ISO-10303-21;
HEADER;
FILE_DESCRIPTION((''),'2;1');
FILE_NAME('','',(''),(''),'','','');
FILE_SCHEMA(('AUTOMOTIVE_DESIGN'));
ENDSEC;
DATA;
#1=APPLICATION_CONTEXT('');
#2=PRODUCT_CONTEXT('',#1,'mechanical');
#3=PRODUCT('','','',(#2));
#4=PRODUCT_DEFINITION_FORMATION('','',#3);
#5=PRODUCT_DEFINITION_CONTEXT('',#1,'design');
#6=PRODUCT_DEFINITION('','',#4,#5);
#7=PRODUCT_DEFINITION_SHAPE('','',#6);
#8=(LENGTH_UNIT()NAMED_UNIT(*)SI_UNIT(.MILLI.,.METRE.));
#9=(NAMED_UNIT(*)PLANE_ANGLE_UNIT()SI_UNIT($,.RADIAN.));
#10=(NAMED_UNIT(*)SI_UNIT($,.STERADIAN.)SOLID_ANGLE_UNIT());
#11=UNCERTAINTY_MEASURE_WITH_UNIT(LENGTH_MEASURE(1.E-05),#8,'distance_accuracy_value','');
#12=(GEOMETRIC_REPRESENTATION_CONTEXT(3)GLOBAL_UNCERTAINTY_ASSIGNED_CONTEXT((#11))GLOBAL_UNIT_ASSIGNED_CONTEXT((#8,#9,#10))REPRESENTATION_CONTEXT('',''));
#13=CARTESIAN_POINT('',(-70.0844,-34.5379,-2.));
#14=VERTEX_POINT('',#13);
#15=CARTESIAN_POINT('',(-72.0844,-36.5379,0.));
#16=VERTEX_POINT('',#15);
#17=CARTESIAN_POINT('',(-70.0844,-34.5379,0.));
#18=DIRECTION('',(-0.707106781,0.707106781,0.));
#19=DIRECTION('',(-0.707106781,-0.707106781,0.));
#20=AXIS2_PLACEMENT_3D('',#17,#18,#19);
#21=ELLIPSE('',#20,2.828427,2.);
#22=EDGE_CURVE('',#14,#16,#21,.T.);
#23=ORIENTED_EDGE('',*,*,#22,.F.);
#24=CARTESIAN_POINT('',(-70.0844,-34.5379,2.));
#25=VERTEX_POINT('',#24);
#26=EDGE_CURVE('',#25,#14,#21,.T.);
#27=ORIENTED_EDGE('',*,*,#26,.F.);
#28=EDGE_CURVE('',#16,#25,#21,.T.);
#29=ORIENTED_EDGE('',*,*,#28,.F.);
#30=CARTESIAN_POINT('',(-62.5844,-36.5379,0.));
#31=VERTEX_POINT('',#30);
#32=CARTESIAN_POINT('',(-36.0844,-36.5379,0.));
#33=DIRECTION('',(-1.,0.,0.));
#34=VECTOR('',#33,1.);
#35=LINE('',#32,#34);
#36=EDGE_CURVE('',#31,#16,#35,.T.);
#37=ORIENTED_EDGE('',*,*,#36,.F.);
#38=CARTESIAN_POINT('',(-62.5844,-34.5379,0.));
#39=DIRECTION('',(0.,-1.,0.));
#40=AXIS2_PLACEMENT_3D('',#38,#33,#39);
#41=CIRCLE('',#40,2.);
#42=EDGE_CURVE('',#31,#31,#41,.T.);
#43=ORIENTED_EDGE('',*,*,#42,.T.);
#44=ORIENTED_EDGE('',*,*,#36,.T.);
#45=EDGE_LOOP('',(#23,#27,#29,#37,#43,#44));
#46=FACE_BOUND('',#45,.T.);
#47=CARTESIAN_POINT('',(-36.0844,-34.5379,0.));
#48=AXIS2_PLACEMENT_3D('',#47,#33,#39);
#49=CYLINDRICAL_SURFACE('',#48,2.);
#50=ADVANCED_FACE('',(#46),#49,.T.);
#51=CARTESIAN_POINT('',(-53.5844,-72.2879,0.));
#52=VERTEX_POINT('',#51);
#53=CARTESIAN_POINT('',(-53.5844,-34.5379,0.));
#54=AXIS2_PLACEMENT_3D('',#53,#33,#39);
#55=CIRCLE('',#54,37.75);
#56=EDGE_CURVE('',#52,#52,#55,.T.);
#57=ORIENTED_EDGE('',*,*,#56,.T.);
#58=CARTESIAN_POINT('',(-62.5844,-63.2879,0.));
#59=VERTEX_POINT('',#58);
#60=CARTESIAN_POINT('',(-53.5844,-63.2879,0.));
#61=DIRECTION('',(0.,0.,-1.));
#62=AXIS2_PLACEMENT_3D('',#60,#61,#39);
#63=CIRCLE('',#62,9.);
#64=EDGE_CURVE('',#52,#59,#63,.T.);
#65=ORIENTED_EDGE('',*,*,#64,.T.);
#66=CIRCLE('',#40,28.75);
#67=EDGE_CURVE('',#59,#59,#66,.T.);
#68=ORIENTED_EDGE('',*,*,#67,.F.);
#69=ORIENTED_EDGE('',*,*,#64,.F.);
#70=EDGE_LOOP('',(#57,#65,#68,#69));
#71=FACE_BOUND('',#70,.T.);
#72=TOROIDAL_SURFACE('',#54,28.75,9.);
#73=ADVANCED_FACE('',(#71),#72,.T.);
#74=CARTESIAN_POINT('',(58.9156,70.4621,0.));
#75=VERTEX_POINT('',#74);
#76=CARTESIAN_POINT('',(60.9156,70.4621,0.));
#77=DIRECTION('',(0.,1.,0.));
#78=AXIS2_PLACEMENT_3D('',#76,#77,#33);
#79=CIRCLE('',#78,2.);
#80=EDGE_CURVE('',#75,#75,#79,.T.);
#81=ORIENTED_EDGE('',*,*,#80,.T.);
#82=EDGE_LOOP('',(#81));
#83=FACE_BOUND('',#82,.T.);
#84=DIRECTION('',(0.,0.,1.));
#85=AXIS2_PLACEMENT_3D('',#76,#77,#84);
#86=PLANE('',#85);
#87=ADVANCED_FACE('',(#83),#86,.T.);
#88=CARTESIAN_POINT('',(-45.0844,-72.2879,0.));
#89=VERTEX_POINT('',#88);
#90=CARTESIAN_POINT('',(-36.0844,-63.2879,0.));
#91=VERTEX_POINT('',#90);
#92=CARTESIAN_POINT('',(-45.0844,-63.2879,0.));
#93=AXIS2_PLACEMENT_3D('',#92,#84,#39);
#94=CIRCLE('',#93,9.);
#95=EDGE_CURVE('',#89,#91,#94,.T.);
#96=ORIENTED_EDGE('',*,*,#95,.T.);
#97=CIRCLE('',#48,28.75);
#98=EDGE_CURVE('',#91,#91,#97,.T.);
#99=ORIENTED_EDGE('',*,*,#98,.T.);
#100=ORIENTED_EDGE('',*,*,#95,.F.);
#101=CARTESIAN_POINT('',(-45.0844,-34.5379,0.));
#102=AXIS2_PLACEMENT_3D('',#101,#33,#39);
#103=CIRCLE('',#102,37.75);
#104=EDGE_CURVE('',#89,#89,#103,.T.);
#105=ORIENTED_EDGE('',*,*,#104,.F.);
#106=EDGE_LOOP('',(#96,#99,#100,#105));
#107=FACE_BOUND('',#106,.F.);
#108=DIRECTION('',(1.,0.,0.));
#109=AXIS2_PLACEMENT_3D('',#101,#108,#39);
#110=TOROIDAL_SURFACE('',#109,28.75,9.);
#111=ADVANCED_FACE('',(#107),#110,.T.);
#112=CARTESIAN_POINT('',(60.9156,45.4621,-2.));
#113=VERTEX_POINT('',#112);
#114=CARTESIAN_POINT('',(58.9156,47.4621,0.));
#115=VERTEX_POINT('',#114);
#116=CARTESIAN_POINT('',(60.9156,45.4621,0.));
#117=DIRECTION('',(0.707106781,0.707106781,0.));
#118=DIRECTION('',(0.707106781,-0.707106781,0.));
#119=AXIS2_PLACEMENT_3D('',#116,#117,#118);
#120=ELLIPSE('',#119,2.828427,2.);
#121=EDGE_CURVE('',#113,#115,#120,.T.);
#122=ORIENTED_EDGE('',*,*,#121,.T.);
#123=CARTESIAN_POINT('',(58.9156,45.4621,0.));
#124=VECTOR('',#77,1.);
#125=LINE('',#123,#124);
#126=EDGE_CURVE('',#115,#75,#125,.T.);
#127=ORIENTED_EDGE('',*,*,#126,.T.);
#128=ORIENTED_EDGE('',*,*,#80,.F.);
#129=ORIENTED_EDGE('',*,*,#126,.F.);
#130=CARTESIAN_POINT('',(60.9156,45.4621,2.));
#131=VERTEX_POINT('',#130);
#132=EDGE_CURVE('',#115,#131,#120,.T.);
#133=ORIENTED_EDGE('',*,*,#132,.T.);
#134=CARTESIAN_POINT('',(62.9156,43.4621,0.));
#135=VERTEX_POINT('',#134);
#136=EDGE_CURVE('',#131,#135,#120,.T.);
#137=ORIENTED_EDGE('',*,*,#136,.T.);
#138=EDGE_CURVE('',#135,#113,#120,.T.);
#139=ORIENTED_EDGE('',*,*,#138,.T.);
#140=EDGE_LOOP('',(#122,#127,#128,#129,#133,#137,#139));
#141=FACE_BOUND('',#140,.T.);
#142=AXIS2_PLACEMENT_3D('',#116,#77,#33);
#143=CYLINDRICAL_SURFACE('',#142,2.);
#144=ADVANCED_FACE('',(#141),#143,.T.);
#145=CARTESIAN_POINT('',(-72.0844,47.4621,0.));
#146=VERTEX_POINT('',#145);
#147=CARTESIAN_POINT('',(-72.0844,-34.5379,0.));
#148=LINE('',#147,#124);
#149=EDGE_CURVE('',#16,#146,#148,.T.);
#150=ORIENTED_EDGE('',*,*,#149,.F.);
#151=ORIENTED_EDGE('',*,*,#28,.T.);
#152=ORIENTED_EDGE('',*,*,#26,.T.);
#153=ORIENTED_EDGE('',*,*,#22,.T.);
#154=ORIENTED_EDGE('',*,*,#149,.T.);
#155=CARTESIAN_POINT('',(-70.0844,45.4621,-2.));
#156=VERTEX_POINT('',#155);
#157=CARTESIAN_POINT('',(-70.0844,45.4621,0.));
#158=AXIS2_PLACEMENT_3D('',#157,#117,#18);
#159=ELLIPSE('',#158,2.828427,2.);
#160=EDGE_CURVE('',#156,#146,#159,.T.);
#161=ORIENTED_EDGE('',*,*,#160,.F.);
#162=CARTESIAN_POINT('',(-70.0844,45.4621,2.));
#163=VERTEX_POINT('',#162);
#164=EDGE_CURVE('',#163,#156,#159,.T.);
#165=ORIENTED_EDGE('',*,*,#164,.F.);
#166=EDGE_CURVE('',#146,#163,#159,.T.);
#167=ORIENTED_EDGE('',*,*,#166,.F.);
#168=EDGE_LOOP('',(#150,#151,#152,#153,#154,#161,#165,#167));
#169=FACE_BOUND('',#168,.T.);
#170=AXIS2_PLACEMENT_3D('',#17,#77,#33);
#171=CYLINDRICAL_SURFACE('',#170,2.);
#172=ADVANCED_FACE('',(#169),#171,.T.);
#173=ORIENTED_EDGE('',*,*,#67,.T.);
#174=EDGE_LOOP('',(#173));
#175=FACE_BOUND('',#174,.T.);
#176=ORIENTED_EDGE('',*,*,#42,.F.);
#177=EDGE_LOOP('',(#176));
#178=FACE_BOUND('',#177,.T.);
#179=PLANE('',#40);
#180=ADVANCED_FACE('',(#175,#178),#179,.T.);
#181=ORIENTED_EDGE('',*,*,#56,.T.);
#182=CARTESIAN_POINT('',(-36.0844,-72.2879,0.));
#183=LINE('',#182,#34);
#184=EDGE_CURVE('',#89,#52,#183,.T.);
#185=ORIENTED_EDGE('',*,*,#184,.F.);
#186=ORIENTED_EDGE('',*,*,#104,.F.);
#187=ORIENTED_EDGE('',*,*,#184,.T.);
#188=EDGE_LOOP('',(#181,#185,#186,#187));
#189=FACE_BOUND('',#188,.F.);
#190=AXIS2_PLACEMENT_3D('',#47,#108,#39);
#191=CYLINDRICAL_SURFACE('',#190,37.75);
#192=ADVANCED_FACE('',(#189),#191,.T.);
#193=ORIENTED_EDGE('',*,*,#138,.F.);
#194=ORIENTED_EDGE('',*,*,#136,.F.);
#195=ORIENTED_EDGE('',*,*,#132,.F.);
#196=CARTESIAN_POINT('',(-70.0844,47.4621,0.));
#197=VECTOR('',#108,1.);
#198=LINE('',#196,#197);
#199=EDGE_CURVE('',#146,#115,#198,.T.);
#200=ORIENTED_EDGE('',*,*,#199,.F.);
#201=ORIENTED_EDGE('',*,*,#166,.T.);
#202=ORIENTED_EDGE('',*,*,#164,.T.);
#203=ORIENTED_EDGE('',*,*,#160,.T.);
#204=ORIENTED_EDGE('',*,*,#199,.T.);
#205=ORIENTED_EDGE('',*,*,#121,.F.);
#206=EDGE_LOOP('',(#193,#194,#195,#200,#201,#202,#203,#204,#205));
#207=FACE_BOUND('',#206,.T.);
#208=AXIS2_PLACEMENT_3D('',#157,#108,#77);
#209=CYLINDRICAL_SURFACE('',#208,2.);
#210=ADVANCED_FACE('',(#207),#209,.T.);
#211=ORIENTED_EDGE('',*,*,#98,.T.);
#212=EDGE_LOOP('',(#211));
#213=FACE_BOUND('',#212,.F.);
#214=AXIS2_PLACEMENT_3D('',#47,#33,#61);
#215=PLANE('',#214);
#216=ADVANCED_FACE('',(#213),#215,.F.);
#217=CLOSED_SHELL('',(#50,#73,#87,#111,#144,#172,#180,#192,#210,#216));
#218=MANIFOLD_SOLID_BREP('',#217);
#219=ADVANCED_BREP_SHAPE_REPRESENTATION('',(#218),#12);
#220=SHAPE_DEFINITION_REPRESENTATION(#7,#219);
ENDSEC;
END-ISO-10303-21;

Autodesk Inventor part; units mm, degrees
ref_plane "YZ Plane" through (0, 0, 0) normal (1, 0, 0) x (0, 1, 0)
ref_plane "XZ Plane" through (0, 0, 0) normal (0, 1, 0) x (-1, 0, 0)
ref_plane "XY Plane" through (0, 0, 0) normal (0, 0, 1) x (1, 0, 0)
ref_plane "Work Plane1" through (-36.0844, -34.5379, 0) normal (-1, 0, 0) x (0, -1, 0)
sketch "Sketch1" plane through (-36.0844, -34.5379, 0) normal (-1, 0, 0) x (0, -1, 0)
  circle A0 centre (0, 0) radius 37.75
  point P0 (-34.5379, 0)
  dimension "d4" = 75.5
extrude "Extrusion1" add sketch "Sketch1" along normal blind 26.5
fillet "Fillet1" radius 9 2 edges at (-62.5844, 3.2121, 0) (-36.0844, 3.2121, 0)
sketch "Sketch2" plane through (-36.0844, -34.5379, 0) normal (-1, 0, 0) x (0, -1, 0)
  circle A0 centre (0, 0) radius 2
  point P0 (-34.5379, 0)
  dimension "d8" = 4
sketch3d "3D Sketch1"
  line L0 (-36.0844, -34.5379, 0) -> (-70.0844, -34.5379, 0)
  line L1 (-70.0844, -34.5379, 0) -> (-70.0844, 45.4621, 0)
  line L2 (-70.0844, 45.4621, 0) -> (60.9156, 45.4621, 0)
  line L3 (60.9156, 45.4621, 0) -> (60.9156, 70.4621, 0)
  dimension "d0" = 34
  dimension "d1" = 80
  dimension "d2" = 131
  dimension "d3" = 25
sweep "Sweep1" add profiles "Sketch2" path "3D Sketch1"
properties part number "Main Landing Gear"
